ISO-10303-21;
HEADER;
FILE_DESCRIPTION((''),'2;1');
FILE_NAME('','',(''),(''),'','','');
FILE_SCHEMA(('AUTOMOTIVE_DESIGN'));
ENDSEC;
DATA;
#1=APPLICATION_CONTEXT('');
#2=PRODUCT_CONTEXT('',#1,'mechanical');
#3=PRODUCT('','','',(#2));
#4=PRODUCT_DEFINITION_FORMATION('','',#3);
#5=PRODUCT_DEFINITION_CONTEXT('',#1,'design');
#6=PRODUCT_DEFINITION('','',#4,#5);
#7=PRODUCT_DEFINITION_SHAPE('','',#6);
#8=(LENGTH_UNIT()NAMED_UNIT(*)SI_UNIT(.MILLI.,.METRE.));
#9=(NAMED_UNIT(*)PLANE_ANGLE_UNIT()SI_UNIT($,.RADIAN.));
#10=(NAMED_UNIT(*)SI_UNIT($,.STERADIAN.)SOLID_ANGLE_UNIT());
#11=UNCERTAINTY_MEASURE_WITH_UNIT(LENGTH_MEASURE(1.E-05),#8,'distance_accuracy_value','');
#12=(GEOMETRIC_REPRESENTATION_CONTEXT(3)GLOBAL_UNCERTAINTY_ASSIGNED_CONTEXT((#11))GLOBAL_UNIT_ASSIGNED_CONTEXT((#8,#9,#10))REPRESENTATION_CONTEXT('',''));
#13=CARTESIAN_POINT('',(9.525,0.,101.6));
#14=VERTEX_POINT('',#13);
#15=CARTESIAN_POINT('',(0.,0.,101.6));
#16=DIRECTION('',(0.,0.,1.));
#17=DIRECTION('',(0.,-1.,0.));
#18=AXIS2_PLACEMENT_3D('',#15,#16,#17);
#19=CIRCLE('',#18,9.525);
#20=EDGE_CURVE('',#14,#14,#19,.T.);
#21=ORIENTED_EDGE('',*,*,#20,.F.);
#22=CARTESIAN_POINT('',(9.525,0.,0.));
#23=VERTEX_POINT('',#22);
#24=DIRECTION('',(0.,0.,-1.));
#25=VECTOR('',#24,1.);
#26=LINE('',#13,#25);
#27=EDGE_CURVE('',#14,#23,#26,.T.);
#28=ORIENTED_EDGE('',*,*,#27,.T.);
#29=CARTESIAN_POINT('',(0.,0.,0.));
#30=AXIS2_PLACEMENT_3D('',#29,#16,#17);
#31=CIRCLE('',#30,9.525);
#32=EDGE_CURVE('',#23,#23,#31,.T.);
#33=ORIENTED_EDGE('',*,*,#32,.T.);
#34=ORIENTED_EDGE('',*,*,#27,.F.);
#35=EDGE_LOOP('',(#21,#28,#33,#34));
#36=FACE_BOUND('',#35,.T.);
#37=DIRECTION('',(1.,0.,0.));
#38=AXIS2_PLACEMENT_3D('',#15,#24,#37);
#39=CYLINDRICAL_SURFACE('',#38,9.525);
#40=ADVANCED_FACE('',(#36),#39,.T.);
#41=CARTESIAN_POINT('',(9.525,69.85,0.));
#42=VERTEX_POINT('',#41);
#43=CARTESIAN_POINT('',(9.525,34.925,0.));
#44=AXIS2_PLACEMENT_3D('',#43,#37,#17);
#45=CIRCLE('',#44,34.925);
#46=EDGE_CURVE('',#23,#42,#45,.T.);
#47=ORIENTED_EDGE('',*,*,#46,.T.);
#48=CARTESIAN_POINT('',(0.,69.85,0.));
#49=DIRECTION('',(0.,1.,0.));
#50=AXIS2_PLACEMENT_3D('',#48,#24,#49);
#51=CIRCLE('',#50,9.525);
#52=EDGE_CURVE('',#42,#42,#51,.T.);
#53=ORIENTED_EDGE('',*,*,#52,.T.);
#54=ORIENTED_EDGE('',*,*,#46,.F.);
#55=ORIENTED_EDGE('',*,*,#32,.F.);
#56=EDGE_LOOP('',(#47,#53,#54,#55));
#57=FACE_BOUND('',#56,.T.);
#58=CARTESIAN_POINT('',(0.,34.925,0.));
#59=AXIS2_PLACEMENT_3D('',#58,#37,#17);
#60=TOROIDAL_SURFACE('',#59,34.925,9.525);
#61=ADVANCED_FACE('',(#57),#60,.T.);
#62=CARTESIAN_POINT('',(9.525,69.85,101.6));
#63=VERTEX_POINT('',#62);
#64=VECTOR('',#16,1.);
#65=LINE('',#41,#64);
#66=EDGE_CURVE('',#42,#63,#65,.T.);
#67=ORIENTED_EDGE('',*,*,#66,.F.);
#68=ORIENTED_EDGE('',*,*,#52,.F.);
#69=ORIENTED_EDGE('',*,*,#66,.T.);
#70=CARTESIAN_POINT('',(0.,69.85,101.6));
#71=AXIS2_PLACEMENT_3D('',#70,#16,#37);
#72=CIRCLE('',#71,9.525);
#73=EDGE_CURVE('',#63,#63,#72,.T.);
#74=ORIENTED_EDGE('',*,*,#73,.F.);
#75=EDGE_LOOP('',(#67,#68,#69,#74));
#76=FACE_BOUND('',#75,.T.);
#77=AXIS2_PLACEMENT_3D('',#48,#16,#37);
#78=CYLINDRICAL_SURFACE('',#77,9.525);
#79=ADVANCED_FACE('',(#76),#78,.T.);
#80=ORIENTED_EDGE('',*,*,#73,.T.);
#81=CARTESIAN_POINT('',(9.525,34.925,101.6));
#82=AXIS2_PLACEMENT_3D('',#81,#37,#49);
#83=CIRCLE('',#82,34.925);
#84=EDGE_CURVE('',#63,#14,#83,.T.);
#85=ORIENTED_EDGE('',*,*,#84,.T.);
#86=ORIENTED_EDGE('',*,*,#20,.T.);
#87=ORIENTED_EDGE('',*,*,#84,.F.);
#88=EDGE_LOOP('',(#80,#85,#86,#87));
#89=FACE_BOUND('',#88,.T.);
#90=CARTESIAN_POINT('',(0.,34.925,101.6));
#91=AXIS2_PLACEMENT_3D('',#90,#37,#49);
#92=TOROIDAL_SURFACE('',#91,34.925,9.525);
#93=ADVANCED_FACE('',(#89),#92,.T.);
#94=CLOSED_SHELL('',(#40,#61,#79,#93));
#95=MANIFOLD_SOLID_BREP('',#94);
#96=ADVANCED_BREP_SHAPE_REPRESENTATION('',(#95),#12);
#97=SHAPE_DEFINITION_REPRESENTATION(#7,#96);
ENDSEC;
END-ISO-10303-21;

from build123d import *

# Parameters (mm, degrees)
F1_R = 9.525


with BuildPart() as f2:
    # F2: sweep along a path in F0
    with BuildLine(Plane.YZ) as f2_path:
        ThreePointArc((0, 0), (34.925, -34.925), (69.85, 0))
        Line((69.85, 0), (69.85, 101.6))
        ThreePointArc((69.85, 101.6), (34.925, 136.525), (0, 101.6))
        Line((0, 101.6), (0, 0))
    # F1 (on Top) → F2 (sweep)
    with BuildSketch(Plane.XY):
        Circle(F1_R)
    sweep(path=f2_path.line)


solid = f2.part
